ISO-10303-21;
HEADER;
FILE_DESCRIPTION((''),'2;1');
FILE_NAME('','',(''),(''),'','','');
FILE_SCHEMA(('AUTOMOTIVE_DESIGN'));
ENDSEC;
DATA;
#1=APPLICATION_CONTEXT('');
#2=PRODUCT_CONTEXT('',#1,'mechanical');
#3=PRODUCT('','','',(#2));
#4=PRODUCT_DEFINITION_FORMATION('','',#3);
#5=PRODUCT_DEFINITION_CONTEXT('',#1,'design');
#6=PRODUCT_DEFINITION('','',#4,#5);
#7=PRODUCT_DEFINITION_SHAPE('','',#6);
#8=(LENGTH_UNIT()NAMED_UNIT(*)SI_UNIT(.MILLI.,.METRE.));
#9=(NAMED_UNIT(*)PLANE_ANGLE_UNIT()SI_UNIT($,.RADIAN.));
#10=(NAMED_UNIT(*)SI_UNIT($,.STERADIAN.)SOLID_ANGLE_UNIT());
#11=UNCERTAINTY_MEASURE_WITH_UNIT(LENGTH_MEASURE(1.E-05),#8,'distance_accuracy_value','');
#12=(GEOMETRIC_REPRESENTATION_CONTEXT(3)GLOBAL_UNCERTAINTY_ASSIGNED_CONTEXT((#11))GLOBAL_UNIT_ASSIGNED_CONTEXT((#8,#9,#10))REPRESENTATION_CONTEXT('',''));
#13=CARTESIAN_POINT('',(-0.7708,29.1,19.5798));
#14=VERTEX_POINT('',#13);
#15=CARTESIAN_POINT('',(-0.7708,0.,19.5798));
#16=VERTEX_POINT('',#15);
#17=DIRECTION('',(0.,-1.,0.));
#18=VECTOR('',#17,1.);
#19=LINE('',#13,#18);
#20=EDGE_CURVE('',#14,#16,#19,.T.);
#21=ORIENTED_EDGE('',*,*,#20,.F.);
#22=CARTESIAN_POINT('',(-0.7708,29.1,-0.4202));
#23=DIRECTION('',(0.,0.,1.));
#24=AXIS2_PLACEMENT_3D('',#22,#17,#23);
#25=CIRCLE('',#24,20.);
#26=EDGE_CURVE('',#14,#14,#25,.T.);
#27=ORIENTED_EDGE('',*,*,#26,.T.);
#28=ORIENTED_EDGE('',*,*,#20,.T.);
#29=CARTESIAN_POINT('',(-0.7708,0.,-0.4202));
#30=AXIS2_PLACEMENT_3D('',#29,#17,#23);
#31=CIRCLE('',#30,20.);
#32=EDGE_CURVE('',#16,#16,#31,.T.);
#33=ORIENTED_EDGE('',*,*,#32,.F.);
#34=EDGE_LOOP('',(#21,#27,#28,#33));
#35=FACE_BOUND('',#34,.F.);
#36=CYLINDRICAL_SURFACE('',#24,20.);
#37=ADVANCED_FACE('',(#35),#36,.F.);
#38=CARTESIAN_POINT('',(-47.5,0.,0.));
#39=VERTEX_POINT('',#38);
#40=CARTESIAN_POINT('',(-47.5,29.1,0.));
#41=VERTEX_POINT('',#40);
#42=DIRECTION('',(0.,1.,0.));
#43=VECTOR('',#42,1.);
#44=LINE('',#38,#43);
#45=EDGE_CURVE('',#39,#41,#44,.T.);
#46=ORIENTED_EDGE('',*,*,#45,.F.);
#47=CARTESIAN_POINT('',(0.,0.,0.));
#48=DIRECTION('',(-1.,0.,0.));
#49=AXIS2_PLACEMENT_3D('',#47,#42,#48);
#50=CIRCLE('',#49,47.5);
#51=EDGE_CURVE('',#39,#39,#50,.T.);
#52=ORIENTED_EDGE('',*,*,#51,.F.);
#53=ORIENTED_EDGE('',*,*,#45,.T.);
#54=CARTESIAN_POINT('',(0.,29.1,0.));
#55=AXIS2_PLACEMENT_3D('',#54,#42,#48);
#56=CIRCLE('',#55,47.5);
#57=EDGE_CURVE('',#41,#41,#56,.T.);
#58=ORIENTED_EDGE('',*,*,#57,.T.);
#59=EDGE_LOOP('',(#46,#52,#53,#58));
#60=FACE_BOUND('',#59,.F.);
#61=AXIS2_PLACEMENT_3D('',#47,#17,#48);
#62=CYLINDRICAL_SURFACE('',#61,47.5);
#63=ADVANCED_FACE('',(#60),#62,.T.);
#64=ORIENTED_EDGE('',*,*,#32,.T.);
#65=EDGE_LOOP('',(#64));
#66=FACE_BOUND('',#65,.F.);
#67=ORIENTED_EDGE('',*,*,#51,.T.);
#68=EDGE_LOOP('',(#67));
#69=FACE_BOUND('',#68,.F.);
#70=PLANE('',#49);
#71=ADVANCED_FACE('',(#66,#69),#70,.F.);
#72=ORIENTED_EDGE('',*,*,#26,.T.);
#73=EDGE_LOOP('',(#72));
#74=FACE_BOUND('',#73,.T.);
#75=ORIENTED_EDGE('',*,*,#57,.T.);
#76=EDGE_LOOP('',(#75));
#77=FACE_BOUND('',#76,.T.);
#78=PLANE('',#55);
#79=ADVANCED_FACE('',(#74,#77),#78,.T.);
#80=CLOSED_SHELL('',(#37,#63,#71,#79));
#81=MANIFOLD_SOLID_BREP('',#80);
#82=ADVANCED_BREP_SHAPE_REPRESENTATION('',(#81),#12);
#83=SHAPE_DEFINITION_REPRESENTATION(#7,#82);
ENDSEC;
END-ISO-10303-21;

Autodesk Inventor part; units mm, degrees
ref_plane "YZ Plane" through (0, 0, 0) normal (1, 0, 0) x (0, 1, 0)
ref_plane "XZ Plane" through (0, 0, 0) normal (0, 1, 0) x (-1, 0, 0)
ref_plane "XY Plane" through (0, 0, 0) normal (0, 0, 1) x (1, 0, 0)
sketch "Sketch1" plane through (0, 0, 0) normal (0, 1, 0) x (-1, 0, 0)
  circle A0 centre (0, 0) radius 47.5
extrude "Extrusion1" add sketch "Sketch1" along normal blind 29.1
sketch "Boceto3" plane through (0, 29.1, 0) normal (0, 1, 0) x (1, 0, 0)
  point P0 (-0.7708, 0.4202)
hole "Hole3" at (-0.7708, 29.1, -0.4202) direction (0, -1, 0) diameter 40 end through all
sketch "Sketch2" plane through (0, 29.1, 0) normal (0, 1, 0) x (1, 0, 0)
  circle A0 centre (-0.7708, 0.4202) radius 20 projected
  point P0 (0, 0)
  dimension "d34" = 0.42
properties part number "cilindro 1" material "Copper"
